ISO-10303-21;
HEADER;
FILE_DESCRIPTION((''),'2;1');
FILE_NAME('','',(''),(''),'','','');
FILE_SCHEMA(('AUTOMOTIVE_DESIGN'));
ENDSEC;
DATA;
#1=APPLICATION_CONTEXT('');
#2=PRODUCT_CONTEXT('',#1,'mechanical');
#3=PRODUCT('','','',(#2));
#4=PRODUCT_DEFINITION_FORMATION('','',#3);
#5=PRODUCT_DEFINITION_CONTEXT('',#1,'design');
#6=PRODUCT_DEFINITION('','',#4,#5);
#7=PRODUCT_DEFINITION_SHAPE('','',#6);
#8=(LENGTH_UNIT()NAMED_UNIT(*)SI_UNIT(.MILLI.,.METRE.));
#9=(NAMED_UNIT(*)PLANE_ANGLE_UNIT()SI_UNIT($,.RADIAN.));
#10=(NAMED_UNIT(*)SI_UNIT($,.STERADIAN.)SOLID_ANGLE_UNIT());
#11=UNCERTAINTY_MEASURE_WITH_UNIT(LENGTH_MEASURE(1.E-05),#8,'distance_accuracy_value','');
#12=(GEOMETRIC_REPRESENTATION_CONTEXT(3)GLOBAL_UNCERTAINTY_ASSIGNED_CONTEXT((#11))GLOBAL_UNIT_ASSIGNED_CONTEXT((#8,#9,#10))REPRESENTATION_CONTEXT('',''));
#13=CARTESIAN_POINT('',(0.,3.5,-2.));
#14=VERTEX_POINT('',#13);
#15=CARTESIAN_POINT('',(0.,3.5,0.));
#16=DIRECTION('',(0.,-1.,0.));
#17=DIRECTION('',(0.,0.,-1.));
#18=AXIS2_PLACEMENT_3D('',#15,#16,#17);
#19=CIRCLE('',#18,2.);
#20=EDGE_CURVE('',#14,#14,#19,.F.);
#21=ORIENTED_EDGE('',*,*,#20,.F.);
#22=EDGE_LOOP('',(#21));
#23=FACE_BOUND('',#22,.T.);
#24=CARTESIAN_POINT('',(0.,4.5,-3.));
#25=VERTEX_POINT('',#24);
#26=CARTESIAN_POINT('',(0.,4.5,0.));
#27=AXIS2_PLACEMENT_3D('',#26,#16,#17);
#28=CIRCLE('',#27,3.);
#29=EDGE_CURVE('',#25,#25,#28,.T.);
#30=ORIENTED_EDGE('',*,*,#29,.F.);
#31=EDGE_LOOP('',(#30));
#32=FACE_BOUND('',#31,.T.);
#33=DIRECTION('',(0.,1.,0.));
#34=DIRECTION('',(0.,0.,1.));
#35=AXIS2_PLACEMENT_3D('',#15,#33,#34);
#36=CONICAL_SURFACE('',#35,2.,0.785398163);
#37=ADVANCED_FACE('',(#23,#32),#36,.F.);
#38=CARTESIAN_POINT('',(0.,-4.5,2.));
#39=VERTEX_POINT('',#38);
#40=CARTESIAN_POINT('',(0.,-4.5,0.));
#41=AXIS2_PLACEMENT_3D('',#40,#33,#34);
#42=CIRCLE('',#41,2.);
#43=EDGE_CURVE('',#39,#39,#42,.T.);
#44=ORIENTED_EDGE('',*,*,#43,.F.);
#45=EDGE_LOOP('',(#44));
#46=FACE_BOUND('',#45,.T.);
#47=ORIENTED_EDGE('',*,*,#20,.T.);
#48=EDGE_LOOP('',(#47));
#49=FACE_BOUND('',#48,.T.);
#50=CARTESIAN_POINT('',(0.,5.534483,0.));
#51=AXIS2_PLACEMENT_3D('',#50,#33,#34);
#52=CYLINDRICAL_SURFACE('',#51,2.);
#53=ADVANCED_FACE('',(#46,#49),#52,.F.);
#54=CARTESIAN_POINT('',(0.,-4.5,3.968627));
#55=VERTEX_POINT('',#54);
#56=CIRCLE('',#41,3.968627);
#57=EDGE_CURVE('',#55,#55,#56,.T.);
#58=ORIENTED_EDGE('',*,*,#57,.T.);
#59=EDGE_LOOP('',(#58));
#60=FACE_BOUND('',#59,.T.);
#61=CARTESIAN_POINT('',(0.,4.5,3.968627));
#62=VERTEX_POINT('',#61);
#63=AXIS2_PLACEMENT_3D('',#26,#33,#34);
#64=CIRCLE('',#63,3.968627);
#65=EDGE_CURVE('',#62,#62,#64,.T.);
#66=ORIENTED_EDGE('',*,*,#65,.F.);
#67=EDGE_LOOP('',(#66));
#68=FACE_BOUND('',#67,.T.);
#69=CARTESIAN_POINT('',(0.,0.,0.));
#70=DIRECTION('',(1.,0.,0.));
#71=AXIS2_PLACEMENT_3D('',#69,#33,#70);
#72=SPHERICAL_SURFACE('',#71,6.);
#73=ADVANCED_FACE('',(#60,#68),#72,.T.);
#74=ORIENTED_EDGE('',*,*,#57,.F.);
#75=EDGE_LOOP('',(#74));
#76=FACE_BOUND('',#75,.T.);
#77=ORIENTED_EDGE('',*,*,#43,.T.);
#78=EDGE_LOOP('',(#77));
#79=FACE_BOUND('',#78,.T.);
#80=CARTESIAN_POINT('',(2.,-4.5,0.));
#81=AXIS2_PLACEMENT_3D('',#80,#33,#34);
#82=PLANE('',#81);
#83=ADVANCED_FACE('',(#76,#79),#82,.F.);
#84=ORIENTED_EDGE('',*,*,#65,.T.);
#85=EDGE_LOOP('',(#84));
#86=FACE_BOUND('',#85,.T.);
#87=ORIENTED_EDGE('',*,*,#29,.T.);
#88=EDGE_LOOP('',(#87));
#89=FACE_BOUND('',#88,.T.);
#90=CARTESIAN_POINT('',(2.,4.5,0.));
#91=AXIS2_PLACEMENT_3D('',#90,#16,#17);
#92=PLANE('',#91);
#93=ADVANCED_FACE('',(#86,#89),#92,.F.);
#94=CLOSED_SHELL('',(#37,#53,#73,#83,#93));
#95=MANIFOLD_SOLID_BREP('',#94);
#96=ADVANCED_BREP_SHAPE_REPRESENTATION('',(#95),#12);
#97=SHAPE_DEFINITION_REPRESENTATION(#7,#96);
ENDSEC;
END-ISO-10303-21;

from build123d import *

# Parameters (mm, degrees)
CHAMFER1_SIZE = 1


with BuildPart() as part:
    # Sketch3 → Revolve1 (revolve)
    with BuildSketch(Plane.XY):
        with BuildLine():
            Line((2, -4.5), (3.968626967, -4.5))
            ThreePointArc((3.968626967, -4.5), (6, 0), (3.968626967, 4.5))
            Line((3.968626967, 4.5), (2, 4.5))
            Line((2, 4.5), (2, -4.5))
        make_face()
    revolve(axis=Axis((0, 5.534482641, 0), (0, -1, 0)))

    # Chamfer1
    chamfer1_edges = [part.edges().sort_by_distance(p)[0] for p in [
        (-2, 4.5, 0),
    ]]
    chamfer(chamfer1_edges, length=CHAMFER1_SIZE)


solid = part.part
